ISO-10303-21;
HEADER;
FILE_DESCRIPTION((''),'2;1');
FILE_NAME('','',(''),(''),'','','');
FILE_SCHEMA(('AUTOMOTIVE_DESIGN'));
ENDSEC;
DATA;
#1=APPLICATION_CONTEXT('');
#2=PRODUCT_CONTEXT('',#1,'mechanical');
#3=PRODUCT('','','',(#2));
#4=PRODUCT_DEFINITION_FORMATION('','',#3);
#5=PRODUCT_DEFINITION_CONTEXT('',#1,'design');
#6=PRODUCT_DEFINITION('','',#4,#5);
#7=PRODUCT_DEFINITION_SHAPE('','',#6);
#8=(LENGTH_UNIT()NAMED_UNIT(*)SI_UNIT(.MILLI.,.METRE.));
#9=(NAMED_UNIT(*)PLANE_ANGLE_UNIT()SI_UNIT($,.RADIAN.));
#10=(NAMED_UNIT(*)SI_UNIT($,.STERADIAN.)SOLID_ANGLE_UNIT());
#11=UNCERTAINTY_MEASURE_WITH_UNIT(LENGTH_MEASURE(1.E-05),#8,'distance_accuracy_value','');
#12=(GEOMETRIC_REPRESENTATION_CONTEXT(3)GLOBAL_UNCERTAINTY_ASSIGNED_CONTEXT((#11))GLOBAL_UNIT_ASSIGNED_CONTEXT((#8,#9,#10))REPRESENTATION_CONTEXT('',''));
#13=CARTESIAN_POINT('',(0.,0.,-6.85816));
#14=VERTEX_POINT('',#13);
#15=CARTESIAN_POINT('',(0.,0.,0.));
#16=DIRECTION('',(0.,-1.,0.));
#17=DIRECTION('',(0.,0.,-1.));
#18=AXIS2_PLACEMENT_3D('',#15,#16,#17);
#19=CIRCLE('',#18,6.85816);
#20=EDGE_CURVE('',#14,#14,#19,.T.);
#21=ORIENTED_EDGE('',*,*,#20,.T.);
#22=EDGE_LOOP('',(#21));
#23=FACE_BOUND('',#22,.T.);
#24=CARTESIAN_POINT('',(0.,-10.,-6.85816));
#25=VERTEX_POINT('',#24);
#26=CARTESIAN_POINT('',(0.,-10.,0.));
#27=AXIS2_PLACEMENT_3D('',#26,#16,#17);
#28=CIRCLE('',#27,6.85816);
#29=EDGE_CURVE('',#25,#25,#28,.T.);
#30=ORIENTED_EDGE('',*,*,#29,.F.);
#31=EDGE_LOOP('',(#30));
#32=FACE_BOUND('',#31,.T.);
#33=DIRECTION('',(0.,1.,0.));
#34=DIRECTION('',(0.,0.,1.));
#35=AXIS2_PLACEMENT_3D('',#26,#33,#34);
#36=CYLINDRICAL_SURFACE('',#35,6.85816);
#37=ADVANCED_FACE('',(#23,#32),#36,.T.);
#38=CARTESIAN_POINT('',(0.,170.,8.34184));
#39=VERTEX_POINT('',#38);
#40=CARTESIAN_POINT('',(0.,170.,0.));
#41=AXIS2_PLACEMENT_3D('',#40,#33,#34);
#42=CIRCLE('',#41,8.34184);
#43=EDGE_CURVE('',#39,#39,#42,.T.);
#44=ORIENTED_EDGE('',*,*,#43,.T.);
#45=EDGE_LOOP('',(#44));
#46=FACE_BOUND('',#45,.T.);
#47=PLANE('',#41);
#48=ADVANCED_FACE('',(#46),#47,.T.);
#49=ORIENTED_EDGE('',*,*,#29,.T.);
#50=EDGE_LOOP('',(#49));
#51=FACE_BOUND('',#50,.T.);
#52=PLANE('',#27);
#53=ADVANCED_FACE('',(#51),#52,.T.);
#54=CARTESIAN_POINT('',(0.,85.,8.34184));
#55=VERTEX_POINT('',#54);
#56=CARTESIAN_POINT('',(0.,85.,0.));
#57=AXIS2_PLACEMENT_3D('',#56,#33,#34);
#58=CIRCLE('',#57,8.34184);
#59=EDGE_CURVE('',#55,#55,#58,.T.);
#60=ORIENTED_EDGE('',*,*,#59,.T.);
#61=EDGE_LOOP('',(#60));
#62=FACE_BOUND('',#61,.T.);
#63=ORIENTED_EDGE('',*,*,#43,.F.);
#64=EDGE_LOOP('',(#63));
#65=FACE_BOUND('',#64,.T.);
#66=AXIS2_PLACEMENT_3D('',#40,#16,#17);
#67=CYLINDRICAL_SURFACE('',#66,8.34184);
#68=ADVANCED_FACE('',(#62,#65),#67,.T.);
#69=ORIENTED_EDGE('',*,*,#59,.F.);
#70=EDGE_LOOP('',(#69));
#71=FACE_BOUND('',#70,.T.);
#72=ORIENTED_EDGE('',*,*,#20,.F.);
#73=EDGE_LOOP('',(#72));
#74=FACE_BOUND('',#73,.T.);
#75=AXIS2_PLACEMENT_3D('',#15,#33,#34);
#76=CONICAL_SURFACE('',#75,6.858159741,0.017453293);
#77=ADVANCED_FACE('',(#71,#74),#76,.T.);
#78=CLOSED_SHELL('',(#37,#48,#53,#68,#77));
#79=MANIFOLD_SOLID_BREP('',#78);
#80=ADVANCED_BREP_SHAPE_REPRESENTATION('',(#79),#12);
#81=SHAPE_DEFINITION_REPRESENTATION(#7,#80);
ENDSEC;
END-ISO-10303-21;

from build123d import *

# Parameters (mm, degrees)
CROQUIS2_R              = 8.341840259
SALIENTE_EXTRUIR1_DEPTH = 85
CROQUIS3_R              = 6.858159741
SALIENTE_EXTRUIR2_DEPTH = 10


with BuildPart() as part:
    # Croquis1 → Revolución1 (revolve)
    with BuildSketch(Plane(origin=(0, 0, 0), x_dir=(0, 0, -1), z_dir=(1, 0, 0))):
        Polygon((0, 0), (6.858159741, 0), (8.341840259, 85), (0, 85), align=None)
    revolve(axis=Axis((0, 0, 0), (0, 1, 0)))

    # Croquis2 → Saliente-Extruir1 (add)
    with BuildSketch(Plane(origin=(0, 85, 0), x_dir=(1, 0, 0), z_dir=(0, 1, 0))):
        Circle(CROQUIS2_R)
    extrude(amount=SALIENTE_EXTRUIR1_DEPTH)

    # Croquis3 → Saliente-Extruir2 (add)
    with BuildSketch(Plane.XZ):
        Circle(CROQUIS3_R)
    extrude(amount=SALIENTE_EXTRUIR2_DEPTH)


solid = part.part
